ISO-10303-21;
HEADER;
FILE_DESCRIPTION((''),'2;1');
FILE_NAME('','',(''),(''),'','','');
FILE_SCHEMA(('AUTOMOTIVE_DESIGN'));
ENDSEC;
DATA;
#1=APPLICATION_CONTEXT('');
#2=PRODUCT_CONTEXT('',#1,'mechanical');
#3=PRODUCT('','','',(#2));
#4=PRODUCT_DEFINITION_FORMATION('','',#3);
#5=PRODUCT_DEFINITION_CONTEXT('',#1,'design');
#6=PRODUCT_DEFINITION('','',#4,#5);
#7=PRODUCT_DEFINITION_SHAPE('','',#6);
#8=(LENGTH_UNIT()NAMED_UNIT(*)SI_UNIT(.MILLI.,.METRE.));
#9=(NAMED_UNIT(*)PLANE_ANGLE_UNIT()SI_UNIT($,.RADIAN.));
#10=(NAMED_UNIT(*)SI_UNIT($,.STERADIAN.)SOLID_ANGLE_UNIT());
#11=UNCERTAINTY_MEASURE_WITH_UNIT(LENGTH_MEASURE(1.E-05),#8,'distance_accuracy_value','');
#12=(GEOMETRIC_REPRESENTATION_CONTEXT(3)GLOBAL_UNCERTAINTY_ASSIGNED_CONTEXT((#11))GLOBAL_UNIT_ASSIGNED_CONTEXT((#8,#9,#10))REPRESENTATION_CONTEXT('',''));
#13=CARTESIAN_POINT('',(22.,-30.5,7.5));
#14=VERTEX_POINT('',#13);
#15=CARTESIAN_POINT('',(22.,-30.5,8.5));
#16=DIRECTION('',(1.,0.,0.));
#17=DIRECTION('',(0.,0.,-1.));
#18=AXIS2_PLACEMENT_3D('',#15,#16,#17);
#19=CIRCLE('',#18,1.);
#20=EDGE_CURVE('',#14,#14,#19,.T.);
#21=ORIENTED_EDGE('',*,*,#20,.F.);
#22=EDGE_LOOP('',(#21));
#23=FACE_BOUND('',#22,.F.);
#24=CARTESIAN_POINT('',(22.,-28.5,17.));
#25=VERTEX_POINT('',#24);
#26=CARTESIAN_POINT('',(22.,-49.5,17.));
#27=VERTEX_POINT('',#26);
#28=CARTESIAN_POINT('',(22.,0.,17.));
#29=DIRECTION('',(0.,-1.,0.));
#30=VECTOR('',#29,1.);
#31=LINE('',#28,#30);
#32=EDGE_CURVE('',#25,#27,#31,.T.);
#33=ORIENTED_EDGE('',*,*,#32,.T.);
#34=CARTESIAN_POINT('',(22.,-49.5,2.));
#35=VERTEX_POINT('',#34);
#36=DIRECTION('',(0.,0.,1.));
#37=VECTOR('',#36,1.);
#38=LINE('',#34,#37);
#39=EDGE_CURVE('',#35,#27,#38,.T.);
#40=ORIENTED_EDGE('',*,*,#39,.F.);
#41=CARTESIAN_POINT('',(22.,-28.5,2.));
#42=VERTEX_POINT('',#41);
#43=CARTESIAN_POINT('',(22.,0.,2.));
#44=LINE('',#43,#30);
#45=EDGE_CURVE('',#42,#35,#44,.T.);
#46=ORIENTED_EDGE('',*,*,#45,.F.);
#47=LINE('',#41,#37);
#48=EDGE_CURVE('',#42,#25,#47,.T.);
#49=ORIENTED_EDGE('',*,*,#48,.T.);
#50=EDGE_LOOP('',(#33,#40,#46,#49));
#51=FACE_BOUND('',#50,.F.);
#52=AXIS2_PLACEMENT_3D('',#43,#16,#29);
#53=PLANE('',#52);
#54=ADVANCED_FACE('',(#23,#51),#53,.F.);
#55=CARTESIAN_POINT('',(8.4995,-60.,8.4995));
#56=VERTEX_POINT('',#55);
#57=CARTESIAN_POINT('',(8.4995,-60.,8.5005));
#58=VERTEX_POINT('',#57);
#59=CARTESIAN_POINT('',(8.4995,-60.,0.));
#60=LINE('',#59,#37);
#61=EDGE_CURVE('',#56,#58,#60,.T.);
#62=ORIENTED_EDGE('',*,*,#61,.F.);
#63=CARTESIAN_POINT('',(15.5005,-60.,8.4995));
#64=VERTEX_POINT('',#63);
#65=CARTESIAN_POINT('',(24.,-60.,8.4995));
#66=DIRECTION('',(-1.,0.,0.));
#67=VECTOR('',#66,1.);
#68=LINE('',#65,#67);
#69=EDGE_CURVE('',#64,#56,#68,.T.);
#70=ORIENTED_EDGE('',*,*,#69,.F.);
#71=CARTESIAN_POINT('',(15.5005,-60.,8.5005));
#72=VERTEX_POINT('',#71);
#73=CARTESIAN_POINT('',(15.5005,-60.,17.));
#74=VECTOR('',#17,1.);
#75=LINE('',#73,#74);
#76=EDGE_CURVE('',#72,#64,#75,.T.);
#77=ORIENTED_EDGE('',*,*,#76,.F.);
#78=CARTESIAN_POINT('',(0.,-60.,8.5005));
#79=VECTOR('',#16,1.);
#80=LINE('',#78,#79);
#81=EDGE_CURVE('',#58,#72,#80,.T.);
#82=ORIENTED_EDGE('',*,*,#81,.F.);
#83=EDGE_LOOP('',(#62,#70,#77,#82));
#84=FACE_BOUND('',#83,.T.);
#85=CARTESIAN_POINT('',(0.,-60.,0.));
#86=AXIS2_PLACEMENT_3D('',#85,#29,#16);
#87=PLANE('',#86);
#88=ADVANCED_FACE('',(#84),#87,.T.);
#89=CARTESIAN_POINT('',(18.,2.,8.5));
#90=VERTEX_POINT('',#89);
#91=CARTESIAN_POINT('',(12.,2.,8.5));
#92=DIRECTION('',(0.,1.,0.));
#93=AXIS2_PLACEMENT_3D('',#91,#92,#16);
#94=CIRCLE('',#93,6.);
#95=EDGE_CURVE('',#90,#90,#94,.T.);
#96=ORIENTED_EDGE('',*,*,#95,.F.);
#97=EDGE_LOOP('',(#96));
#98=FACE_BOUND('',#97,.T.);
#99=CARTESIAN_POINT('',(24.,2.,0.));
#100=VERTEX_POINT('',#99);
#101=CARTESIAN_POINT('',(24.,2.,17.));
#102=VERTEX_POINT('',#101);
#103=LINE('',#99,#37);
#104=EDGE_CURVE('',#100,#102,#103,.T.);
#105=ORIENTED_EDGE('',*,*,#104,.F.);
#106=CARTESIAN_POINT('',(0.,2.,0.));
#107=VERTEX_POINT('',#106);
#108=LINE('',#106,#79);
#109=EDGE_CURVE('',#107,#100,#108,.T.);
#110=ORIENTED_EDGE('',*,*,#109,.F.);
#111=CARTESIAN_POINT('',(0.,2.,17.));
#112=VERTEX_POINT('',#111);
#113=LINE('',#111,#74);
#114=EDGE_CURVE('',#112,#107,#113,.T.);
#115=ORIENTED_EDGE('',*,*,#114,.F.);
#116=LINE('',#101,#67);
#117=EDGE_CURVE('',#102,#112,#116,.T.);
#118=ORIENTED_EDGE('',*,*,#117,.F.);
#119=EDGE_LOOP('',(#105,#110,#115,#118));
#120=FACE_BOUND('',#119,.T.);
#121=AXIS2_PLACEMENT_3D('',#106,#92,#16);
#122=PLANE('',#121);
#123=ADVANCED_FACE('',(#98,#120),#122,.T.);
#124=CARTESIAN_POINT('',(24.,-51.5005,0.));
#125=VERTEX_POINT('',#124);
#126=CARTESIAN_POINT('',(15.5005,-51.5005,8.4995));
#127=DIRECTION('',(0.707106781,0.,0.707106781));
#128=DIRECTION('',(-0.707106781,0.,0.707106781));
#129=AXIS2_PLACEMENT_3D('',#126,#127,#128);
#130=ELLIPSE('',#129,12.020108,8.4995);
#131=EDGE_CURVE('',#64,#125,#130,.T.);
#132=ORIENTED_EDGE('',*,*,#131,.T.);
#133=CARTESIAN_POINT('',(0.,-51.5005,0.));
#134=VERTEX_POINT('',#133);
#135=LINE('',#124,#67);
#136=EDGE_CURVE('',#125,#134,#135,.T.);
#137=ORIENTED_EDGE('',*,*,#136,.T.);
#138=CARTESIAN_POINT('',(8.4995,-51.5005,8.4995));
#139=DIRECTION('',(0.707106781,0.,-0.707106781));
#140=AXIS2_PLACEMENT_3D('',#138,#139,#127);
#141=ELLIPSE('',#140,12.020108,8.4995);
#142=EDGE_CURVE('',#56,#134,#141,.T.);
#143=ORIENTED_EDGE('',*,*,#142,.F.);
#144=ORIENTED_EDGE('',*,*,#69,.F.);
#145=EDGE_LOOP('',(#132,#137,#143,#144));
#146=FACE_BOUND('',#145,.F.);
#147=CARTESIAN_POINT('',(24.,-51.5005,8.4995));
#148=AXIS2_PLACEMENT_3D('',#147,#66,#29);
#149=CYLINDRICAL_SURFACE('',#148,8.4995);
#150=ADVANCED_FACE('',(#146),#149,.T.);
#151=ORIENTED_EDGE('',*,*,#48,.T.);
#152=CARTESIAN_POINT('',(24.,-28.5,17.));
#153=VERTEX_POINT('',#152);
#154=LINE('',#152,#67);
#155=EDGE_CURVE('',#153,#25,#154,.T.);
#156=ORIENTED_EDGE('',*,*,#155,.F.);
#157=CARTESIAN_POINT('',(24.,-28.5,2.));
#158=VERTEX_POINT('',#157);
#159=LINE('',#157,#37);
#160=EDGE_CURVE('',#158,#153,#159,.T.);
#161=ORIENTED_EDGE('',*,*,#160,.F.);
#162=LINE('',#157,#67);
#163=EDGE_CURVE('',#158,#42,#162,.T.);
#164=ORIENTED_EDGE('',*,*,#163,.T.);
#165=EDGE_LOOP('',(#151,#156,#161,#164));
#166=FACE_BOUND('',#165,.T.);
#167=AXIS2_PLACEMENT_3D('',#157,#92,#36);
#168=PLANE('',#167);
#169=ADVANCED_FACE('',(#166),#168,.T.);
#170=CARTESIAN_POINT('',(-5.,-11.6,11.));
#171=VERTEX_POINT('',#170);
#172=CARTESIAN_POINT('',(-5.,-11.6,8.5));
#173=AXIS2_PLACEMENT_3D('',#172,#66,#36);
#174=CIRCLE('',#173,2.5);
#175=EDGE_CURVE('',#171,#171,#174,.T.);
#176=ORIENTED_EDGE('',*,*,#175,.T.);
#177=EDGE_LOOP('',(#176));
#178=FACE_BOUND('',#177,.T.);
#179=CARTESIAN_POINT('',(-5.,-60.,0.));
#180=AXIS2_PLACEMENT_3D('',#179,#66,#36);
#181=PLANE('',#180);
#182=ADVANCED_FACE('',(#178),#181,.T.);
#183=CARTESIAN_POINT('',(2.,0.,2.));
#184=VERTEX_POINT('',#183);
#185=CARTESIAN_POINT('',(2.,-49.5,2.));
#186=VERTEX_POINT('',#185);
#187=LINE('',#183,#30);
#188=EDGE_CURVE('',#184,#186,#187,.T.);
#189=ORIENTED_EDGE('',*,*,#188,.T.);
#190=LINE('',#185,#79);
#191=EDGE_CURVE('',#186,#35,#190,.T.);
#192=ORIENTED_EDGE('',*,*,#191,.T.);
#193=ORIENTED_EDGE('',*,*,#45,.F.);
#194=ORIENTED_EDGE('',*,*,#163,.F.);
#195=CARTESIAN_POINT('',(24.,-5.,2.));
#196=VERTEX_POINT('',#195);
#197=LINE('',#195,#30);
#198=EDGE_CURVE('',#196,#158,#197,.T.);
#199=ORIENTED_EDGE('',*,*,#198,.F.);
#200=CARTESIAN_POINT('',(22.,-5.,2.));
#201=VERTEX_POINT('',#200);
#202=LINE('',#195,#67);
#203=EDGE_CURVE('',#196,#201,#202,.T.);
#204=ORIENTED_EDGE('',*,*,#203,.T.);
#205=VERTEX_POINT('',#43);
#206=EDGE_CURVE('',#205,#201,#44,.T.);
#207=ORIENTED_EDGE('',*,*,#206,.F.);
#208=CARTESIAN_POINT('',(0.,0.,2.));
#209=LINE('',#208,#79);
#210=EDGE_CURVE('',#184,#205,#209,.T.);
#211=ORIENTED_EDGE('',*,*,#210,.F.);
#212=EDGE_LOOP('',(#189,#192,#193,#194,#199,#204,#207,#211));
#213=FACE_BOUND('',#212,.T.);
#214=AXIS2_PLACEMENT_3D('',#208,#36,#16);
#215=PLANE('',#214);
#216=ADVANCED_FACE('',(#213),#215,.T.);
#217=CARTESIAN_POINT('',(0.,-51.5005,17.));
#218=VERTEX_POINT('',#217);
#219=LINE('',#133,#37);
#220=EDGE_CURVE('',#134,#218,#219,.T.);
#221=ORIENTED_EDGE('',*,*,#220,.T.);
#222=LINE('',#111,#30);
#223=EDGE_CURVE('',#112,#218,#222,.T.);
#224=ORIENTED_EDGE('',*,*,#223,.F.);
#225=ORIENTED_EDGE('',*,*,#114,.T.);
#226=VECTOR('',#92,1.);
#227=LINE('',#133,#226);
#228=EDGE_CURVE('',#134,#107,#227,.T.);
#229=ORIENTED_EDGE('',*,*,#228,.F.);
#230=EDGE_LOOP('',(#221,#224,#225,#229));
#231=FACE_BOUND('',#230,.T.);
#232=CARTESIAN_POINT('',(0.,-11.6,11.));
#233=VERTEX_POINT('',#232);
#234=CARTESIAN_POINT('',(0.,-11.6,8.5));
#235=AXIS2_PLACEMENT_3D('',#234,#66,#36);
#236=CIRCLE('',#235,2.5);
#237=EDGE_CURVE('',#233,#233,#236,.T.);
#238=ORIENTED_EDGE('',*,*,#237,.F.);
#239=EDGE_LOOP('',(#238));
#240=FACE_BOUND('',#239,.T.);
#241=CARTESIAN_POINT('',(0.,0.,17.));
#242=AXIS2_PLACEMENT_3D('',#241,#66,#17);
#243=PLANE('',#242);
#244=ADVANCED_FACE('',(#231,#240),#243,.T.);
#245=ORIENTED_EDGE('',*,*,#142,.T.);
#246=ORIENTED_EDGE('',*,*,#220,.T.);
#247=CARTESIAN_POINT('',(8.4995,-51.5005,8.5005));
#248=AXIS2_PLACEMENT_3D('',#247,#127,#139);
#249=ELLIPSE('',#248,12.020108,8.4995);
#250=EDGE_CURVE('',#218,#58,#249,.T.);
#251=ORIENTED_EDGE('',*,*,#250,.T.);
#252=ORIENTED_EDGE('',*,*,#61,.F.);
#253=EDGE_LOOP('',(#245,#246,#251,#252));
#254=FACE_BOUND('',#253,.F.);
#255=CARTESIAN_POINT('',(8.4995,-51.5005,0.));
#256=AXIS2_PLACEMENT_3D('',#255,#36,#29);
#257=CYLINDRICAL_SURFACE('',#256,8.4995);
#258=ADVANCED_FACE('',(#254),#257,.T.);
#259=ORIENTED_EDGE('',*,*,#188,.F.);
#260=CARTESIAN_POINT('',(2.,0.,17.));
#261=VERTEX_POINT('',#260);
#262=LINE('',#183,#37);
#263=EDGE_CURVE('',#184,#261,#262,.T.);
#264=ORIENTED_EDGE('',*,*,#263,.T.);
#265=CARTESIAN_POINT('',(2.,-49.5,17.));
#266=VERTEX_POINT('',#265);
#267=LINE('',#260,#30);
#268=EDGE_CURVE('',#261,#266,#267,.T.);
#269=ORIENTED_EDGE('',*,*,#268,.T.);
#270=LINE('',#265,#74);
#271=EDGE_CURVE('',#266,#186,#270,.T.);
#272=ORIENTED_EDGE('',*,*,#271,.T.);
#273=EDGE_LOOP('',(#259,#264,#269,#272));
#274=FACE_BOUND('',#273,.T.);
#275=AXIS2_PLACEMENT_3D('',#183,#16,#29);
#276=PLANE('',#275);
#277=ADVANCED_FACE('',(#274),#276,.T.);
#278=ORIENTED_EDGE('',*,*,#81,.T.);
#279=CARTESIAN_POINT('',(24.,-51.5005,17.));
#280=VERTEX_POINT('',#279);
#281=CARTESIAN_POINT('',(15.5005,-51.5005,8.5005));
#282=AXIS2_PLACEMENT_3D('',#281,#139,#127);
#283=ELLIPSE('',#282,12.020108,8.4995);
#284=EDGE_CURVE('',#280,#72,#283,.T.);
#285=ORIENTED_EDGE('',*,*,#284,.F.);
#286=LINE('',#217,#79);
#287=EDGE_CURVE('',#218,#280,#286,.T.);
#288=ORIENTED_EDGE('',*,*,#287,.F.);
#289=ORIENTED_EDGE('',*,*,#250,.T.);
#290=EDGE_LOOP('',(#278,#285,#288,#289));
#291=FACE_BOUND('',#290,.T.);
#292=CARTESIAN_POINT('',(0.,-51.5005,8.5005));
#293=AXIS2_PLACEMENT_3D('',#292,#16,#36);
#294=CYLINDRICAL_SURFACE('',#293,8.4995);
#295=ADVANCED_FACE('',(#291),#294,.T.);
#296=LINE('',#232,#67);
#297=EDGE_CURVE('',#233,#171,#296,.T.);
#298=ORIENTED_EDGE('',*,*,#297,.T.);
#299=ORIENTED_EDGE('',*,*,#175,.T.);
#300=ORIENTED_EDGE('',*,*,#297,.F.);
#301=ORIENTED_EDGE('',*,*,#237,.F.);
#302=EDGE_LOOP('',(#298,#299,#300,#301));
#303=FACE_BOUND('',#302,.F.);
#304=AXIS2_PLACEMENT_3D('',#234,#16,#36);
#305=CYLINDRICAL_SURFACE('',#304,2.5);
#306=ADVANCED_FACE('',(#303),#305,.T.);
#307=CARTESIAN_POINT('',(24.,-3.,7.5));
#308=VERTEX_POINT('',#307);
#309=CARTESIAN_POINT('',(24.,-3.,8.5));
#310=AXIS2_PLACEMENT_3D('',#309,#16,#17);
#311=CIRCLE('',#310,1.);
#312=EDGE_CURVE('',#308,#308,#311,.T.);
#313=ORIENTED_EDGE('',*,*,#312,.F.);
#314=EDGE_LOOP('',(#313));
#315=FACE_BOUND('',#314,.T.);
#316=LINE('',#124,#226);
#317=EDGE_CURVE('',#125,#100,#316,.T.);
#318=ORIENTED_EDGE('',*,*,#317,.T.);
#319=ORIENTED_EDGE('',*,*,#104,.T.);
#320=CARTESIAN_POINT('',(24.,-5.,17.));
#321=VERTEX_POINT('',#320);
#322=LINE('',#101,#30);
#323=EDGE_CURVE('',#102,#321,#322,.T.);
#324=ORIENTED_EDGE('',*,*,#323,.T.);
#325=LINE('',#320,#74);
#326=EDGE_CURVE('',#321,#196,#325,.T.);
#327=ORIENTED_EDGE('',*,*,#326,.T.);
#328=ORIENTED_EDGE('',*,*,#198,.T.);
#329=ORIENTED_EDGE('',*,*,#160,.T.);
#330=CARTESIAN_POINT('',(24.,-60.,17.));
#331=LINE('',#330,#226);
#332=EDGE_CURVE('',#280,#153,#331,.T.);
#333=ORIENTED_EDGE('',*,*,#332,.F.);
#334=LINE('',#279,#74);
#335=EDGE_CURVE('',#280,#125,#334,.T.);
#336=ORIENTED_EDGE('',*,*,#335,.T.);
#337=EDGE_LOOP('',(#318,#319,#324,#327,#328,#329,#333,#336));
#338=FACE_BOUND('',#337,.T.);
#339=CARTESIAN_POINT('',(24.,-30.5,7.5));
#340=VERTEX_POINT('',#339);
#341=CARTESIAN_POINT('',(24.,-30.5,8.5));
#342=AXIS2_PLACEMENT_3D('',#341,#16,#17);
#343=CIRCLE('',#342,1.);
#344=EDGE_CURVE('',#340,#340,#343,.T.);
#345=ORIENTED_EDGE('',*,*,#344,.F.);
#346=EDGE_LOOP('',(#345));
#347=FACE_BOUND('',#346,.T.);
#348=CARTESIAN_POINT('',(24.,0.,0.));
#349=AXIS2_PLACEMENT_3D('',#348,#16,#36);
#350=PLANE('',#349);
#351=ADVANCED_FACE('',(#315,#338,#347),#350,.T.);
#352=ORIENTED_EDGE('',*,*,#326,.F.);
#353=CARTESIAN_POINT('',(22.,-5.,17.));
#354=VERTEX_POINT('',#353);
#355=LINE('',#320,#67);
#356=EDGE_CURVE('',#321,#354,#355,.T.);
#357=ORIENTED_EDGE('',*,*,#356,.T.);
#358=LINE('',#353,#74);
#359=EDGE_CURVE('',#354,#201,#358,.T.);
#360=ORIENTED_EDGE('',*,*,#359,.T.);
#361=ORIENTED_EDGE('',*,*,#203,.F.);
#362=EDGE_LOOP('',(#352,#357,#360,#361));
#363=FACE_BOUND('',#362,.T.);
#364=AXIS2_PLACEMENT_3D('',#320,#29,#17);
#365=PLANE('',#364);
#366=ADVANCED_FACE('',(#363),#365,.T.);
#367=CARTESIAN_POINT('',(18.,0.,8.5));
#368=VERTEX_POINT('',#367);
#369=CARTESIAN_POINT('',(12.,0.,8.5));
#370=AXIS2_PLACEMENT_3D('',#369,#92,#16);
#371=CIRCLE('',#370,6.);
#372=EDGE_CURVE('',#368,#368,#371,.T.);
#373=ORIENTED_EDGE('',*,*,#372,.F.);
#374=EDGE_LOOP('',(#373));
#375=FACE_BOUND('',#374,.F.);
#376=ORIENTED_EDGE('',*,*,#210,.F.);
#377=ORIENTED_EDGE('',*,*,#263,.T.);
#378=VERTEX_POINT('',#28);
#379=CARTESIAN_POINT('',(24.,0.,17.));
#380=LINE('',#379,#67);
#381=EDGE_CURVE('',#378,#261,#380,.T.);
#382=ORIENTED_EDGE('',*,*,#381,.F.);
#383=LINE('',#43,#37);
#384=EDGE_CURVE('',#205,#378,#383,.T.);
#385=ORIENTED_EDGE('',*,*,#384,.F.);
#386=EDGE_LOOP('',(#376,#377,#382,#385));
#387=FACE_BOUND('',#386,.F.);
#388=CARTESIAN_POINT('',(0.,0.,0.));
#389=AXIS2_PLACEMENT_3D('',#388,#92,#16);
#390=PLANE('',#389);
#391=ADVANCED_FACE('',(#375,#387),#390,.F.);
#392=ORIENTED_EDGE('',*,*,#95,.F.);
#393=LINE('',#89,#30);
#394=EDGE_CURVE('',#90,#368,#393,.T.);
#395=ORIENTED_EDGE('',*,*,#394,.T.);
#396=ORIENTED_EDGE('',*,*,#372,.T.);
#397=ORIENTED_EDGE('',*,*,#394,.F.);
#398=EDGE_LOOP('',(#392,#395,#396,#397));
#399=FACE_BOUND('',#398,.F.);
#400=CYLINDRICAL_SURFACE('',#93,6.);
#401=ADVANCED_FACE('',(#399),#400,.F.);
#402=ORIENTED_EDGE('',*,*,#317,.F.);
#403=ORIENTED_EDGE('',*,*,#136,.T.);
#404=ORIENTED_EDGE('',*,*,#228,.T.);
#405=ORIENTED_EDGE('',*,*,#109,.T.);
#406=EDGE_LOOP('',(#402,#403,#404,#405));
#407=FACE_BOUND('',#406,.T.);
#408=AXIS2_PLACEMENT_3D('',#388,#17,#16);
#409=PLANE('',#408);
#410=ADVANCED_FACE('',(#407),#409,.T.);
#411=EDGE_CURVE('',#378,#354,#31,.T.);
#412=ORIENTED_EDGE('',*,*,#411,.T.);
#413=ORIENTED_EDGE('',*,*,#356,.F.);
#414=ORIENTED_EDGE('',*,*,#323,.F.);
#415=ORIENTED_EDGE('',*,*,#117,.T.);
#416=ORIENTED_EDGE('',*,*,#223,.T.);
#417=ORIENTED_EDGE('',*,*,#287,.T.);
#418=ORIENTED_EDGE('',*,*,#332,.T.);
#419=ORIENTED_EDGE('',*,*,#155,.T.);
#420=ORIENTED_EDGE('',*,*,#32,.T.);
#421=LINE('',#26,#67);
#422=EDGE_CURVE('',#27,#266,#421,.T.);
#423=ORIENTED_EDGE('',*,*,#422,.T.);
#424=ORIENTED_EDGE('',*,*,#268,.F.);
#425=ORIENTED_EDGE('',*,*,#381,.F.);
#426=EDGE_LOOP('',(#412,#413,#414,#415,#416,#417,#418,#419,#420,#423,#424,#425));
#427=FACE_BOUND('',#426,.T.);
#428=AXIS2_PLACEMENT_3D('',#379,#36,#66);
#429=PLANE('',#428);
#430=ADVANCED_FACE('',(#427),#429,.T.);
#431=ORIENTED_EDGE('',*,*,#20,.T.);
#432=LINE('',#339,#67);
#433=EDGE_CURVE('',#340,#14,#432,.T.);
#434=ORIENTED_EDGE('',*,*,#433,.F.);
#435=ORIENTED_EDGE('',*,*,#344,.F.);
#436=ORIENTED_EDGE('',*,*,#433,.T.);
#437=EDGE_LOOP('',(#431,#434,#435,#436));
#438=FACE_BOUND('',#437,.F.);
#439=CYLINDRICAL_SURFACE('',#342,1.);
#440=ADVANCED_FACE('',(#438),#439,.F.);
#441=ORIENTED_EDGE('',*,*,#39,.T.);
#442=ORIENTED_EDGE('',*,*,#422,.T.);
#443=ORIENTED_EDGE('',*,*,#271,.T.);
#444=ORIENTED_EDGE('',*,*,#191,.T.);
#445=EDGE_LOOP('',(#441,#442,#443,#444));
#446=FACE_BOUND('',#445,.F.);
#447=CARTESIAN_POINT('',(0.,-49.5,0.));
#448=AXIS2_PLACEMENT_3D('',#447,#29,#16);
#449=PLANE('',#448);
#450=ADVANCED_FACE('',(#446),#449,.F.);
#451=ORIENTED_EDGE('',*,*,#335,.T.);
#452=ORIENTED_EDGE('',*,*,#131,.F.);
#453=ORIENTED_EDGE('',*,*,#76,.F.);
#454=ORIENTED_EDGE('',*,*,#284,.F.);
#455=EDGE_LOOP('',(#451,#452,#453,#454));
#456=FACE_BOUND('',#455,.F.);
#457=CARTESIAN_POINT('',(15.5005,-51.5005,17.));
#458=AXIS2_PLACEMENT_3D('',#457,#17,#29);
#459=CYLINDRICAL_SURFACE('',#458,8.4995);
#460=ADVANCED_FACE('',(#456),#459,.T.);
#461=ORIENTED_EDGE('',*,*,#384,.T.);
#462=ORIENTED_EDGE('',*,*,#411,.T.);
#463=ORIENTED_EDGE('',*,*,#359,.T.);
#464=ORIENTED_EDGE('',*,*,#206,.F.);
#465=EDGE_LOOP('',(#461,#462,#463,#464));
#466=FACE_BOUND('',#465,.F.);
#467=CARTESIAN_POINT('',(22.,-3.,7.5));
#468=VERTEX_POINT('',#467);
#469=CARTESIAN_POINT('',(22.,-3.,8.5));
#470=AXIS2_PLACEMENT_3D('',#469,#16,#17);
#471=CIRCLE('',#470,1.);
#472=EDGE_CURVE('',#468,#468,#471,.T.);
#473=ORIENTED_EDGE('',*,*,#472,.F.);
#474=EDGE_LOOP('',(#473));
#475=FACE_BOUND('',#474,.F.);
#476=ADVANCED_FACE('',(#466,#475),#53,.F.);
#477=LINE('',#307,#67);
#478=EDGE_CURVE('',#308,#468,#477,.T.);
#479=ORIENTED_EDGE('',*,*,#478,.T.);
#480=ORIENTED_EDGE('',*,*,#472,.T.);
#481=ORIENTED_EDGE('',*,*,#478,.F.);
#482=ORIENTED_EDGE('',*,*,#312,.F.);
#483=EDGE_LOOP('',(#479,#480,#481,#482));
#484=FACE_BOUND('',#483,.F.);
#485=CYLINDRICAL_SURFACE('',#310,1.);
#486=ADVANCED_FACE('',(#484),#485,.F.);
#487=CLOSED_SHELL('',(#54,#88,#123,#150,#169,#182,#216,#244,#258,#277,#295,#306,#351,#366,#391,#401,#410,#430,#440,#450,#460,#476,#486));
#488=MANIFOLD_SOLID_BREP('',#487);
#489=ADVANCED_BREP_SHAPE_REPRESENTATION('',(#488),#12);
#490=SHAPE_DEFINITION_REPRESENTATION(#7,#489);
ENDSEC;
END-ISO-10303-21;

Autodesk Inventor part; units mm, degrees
ref_plane "YZ Plane" through (0, 0, 0) normal (1, 0, 0) x (0, 1, 0)
ref_plane "XZ Plane" through (0, 0, 0) normal (0, 1, 0) x (-1, 0, 0)
ref_plane "XY Plane" through (0, 0, 0) normal (0, 0, 1) x (1, 0, 0)
sketch "Sketch1" plane through (0, 0, 0) normal (0, 0, 1) x (1, 0, 0)
  line L0 (0, 0) -> (24, 0)
  line L1 (24, 0) -> (24, -60)
  line L2 (24, -60) -> (0, -60)
  line L3 (0, -60) -> (0, 0)
  dimension "d0" = 24
  dimension "d1" = 60
extrude "Extrusion1" add sketch "Sketch1" along normal blind 2
sketch "Sketch2" plane through (0, 0, 2) normal (0, 0, 1) x (1, 0, 0)
  line L0 (0, -60) -> (24, -60) projected
  line L1 (0, 0) -> (2, 0)
  line L2 (2, 0) -> (2, -60)
  line L3 (2, -60) -> (0, -60)
  line L4 (0, -60) -> (0, 0)
  line L5 (24, -60) -> (24, 0) projected
  line L6 (24, 0) -> (22, 0)
  line L7 (22, 0) -> (22, -60)
  line L8 (22, -60) -> (24, -60)
  line L9 (24, -60) -> (24, 0)
  dimension "d4" = 2
  dimension "d5" = 2
extrude "Extrusion2" add sketch "Sketch2" along normal blind 15
sketch "Sketch3" plane through (24, -60, 0) normal (1, 0, 0) x (0, 0, -1)
  circle A0 centre (-8.5, 57) radius 1
  circle A1 centre (-8.5, 29.5) radius 1
  line L0 (-17, 0) -> (-17, 60) projected
  line L1 (0, 60) -> (-17, 60) projected
  dimension "d8" = 2
  dimension "d9" = 2
  dimension "d10" = 8.5
  dimension "d11" = 8.5
  dimension "d12" = 27.5
  dimension "d13" = 3
extrude "Extrusion3" cut sketch "Sketch3" against normal up to surface (2 mm away)
sketch "Sketch4" plane through (24, -60, 0) normal (1, 0, 0) x (0, 0, -1)
  line L0 (-17, 60) -> (-17, 0) projected
  line L1 (-17, 55) -> (-2, 55)
  line L2 (-2, 55) -> (-2, 31.5)
  line L3 (-2, 31.5) -> (-17, 31.5)
  line L4 (-17, 31.5) -> (-17, 55)
  circle A0 centre (-8.5, 57) radius 1 projected
  circle A1 centre (-8.5, 29.5) radius 1 projected
  point P0 (-17, 31.5)
  dimension "d23" = 15
  dimension "d24" = 23.5
  dimension "d25" = 2
  dimension "d26" = 2
extrude "Extrusion4" cut sketch "Sketch4" against normal up to surface (2 mm away) contours L1 L2 L3 L0
sketch "Sketch5" plane through (0, -60, 0) normal (-1, 0, 0) x (0, 0, 1)
  circle A0 centre (8.5, 48.4) radius 2.5
  circle A1 centre (8.5, 57) radius 1 projected
  point P0 (0, 60)
  dimension "d29" = 5
  dimension "d32" = 8.6
  dimension "d33" = 0
extrude "Extrusion5" add sketch "Sketch5" along normal blind 5 contours A0
sketch "Sketch6" plane through (0, -60, 0) normal (0, -1, 0) x (1, 0, 0)
  line L0 (2, 2) -> (22, 2) projected
  line L1 (2, 2) -> (22, 2)
  line L2 (22, 2) -> (22, 17)
  line L3 (22, 17) -> (2, 17)
  line L4 (2, 17) -> (2, 2)
  point P0 (0, 0)
  point P1 (22, 2)
extrude "Extrusion6" add sketch "Sketch6" against normal blind 10.5
fillet "Fillet1" radius 8.5 4 edges at (12, -60, 17) (0, -60, 8.5) (12, -60, 0) (24, -60, 8.5)
sketch "Sketch7" plane through (0, 0, 0) normal (0, 1, 0) x (1, 0, 0)
  line L0 (24, 0) -> (24, -17) projected
  line L1 (24, -17) -> (0, -17)
  line L2 (0, -17) -> (0, 0)
  line L3 (0, 0) -> (24, 0)
  line L4 (24, 0) -> (24, -17)
extrude "Extrusion7" add sketch "Sketch7" along normal blind 2
sketch "Sketch8" plane through (0, 2, 0) normal (0, 1, 0) x (1, 0, 0)
  circle A0 centre (12, -8.5) radius 6
  line L0 (24, -17) -> (24, 0) projected
  line L1 (0, 0) -> (0, -17) projected
  line L2 (24, 0) -> (0, 0) projected
  dimension "d39" = 12
  dimension "d40" = 12
  dimension "d41" = 24
  dimension "d42" = 17
  dimension "d43" = 8.5
extrude "Extrusion8" cut sketch "Sketch8" against normal up to surface (2 mm away)
equation "\"d40\" = 0.5 * d41"
equation "\"d43\" = 0.5 * d42"
properties part number "juncao"
